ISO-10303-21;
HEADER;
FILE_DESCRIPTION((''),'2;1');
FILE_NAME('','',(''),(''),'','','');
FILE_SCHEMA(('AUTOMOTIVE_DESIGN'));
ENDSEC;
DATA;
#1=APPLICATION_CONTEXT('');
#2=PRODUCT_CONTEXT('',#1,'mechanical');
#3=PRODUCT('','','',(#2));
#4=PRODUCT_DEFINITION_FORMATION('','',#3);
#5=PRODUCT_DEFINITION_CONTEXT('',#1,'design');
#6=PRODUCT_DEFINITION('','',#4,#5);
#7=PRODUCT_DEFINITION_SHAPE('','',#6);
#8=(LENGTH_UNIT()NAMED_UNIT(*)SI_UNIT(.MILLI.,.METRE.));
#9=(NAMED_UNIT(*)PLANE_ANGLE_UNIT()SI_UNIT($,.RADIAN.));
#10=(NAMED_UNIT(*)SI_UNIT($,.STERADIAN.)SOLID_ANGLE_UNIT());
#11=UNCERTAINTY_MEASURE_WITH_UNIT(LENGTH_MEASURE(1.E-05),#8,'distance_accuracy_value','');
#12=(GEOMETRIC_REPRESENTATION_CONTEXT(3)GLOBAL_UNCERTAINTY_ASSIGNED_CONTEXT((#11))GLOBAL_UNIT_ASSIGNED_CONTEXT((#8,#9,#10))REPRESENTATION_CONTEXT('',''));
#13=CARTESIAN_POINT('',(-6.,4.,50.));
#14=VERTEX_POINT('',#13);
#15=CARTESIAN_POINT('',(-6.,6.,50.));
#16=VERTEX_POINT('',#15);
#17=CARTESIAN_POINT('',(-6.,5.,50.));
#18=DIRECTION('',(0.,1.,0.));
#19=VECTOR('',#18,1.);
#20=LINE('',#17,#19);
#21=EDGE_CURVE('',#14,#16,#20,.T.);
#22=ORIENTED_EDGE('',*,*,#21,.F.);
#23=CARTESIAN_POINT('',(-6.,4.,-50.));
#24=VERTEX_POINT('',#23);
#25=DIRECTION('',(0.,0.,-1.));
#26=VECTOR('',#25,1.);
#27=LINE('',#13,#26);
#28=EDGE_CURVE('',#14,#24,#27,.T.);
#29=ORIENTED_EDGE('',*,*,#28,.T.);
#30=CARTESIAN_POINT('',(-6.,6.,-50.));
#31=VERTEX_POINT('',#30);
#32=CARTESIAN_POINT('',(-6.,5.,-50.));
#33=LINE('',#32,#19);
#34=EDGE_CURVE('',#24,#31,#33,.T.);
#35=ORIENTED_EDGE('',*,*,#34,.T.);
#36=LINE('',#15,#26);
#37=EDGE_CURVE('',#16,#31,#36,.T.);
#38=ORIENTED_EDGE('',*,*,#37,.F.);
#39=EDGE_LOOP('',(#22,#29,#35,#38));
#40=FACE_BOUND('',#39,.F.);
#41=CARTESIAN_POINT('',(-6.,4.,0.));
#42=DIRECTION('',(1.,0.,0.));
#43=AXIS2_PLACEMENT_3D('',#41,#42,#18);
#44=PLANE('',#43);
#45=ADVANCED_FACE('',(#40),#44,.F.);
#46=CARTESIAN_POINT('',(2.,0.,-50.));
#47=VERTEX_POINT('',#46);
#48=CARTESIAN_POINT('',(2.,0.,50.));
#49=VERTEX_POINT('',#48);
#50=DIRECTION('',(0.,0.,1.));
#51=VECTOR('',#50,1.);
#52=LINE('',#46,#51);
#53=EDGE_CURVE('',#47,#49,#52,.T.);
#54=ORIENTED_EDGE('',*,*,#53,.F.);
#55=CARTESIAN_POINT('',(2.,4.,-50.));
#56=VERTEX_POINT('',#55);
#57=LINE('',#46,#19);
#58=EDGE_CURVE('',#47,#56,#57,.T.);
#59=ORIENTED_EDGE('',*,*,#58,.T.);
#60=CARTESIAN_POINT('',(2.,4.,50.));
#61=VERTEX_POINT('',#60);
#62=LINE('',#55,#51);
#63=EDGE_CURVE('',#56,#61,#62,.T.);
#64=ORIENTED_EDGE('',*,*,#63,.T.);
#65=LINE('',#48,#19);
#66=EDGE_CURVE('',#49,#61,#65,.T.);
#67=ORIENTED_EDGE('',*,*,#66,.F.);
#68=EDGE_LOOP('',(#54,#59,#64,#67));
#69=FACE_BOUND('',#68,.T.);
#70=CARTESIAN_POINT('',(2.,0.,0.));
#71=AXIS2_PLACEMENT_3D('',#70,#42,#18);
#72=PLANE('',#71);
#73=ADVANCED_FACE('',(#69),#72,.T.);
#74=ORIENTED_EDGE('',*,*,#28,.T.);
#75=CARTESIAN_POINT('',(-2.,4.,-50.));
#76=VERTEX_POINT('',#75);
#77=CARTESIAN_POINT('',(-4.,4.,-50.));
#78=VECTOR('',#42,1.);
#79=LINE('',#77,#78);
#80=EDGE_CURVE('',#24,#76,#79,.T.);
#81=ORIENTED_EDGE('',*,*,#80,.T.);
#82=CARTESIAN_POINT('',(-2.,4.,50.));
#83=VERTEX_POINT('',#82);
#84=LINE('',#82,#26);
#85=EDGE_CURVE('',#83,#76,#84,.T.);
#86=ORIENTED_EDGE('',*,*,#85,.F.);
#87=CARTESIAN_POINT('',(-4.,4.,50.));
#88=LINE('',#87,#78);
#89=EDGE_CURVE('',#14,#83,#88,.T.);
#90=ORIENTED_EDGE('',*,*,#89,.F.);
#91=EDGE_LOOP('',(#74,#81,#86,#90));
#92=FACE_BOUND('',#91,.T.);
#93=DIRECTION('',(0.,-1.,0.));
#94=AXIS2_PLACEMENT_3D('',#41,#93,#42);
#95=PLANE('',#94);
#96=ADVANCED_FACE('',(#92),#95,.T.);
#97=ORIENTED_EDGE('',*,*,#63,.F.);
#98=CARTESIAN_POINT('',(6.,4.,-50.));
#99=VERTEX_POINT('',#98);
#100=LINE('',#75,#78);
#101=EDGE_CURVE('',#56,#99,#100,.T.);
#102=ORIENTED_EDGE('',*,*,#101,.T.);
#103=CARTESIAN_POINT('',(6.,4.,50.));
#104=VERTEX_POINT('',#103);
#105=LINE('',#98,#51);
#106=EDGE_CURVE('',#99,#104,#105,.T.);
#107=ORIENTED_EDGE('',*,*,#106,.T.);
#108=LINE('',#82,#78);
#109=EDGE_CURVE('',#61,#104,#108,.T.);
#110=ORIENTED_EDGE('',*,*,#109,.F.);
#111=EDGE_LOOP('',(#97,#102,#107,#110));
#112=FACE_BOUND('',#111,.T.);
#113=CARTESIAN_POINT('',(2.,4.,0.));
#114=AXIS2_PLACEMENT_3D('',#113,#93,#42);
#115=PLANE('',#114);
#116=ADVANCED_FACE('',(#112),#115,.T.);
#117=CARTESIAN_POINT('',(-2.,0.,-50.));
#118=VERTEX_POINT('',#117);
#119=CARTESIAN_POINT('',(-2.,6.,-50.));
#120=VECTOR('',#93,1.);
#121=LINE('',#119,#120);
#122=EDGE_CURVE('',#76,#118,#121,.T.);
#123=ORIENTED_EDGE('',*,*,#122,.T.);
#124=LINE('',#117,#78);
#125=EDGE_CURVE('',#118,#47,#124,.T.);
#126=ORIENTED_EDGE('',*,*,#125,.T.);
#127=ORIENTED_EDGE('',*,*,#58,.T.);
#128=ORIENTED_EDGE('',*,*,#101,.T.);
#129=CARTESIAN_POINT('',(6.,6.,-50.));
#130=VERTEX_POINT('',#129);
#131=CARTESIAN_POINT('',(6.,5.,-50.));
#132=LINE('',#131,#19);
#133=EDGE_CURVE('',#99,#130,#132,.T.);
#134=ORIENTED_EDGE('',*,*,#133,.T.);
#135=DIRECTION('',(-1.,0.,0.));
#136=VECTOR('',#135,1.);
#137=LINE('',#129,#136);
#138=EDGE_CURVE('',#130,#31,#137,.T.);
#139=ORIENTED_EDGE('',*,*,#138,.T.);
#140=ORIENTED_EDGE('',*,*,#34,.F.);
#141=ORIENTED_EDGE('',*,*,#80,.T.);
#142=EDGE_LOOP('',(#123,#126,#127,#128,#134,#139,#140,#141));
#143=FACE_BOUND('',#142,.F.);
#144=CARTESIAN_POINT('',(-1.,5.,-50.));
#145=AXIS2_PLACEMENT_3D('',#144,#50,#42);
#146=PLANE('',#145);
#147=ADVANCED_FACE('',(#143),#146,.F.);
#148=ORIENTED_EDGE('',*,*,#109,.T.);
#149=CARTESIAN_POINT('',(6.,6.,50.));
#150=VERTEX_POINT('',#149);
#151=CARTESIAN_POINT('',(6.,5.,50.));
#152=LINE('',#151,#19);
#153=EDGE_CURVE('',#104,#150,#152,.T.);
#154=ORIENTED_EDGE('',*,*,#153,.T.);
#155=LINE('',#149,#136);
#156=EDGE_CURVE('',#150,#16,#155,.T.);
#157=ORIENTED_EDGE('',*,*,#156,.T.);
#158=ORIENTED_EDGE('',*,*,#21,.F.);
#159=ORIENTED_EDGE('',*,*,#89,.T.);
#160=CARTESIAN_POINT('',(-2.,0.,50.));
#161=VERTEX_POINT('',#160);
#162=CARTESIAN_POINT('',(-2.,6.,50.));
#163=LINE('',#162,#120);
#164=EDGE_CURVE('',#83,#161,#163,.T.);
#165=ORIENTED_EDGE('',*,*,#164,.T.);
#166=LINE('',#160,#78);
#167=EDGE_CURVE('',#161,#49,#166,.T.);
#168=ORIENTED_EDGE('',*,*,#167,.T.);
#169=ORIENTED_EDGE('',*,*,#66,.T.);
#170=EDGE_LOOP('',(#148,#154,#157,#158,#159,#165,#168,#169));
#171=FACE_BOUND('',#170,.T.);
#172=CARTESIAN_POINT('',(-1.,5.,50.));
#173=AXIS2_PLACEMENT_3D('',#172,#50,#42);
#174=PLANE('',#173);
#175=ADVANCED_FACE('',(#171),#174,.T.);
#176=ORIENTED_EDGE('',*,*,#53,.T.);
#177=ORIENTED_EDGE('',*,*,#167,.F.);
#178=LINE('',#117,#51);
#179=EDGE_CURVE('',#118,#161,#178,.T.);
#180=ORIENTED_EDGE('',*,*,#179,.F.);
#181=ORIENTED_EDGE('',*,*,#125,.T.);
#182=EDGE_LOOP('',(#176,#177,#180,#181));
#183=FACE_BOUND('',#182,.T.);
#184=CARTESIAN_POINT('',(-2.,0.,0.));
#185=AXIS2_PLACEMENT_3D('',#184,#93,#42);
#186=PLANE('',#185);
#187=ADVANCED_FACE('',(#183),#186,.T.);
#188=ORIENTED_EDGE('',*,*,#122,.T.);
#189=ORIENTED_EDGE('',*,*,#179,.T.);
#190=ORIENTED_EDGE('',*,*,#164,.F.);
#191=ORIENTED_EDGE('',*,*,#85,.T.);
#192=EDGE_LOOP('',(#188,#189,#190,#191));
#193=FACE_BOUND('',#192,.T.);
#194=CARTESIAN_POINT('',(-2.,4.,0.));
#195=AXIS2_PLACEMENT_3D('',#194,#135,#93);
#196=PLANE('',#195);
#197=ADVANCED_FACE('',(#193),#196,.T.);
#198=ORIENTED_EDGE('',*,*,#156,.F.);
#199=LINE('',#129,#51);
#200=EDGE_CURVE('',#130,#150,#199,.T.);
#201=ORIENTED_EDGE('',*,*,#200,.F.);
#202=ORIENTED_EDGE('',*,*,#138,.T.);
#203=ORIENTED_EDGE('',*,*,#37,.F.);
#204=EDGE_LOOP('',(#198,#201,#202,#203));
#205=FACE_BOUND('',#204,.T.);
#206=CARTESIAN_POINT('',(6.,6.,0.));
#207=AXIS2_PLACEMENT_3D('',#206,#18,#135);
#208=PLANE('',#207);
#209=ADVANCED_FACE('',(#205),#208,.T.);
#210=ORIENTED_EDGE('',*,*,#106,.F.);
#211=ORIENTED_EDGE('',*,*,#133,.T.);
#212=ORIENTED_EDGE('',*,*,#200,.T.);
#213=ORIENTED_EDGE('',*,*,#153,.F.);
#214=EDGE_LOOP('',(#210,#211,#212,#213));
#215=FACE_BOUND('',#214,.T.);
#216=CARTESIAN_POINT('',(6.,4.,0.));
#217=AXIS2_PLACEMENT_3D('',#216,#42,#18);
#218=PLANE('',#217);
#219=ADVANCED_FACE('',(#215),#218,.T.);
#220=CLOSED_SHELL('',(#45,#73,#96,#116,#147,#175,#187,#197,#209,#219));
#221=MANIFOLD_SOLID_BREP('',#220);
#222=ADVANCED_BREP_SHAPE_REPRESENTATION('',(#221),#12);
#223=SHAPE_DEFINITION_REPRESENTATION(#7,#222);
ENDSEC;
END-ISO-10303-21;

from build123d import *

# Parameters (mm, degrees)
F0_W     = 2
F0_H     = 2
F0_W_2   = 4
F1_DEPTH = 50


with BuildPart() as f1:
    # F0 (on Top) → F1 (new body, symmetric)
    with BuildSketch(Plane.XY):
        with Locations((-1, 5)):
            Rectangle(F0_W, F0_H)
        with Locations((1, 5)):
            Rectangle(F0_W, F0_H)
        with Locations((4, 5)):
            Rectangle(F0_W_2, F0_H)
        Polygon((-2, 4), (-2, 0), (2, 0), (2, 4), (0, 4), align=None)
        with Locations((-4, 5)):
            Rectangle(F0_W_2, F0_H)
    extrude(amount=F1_DEPTH, both=True)


solid = f1.part
